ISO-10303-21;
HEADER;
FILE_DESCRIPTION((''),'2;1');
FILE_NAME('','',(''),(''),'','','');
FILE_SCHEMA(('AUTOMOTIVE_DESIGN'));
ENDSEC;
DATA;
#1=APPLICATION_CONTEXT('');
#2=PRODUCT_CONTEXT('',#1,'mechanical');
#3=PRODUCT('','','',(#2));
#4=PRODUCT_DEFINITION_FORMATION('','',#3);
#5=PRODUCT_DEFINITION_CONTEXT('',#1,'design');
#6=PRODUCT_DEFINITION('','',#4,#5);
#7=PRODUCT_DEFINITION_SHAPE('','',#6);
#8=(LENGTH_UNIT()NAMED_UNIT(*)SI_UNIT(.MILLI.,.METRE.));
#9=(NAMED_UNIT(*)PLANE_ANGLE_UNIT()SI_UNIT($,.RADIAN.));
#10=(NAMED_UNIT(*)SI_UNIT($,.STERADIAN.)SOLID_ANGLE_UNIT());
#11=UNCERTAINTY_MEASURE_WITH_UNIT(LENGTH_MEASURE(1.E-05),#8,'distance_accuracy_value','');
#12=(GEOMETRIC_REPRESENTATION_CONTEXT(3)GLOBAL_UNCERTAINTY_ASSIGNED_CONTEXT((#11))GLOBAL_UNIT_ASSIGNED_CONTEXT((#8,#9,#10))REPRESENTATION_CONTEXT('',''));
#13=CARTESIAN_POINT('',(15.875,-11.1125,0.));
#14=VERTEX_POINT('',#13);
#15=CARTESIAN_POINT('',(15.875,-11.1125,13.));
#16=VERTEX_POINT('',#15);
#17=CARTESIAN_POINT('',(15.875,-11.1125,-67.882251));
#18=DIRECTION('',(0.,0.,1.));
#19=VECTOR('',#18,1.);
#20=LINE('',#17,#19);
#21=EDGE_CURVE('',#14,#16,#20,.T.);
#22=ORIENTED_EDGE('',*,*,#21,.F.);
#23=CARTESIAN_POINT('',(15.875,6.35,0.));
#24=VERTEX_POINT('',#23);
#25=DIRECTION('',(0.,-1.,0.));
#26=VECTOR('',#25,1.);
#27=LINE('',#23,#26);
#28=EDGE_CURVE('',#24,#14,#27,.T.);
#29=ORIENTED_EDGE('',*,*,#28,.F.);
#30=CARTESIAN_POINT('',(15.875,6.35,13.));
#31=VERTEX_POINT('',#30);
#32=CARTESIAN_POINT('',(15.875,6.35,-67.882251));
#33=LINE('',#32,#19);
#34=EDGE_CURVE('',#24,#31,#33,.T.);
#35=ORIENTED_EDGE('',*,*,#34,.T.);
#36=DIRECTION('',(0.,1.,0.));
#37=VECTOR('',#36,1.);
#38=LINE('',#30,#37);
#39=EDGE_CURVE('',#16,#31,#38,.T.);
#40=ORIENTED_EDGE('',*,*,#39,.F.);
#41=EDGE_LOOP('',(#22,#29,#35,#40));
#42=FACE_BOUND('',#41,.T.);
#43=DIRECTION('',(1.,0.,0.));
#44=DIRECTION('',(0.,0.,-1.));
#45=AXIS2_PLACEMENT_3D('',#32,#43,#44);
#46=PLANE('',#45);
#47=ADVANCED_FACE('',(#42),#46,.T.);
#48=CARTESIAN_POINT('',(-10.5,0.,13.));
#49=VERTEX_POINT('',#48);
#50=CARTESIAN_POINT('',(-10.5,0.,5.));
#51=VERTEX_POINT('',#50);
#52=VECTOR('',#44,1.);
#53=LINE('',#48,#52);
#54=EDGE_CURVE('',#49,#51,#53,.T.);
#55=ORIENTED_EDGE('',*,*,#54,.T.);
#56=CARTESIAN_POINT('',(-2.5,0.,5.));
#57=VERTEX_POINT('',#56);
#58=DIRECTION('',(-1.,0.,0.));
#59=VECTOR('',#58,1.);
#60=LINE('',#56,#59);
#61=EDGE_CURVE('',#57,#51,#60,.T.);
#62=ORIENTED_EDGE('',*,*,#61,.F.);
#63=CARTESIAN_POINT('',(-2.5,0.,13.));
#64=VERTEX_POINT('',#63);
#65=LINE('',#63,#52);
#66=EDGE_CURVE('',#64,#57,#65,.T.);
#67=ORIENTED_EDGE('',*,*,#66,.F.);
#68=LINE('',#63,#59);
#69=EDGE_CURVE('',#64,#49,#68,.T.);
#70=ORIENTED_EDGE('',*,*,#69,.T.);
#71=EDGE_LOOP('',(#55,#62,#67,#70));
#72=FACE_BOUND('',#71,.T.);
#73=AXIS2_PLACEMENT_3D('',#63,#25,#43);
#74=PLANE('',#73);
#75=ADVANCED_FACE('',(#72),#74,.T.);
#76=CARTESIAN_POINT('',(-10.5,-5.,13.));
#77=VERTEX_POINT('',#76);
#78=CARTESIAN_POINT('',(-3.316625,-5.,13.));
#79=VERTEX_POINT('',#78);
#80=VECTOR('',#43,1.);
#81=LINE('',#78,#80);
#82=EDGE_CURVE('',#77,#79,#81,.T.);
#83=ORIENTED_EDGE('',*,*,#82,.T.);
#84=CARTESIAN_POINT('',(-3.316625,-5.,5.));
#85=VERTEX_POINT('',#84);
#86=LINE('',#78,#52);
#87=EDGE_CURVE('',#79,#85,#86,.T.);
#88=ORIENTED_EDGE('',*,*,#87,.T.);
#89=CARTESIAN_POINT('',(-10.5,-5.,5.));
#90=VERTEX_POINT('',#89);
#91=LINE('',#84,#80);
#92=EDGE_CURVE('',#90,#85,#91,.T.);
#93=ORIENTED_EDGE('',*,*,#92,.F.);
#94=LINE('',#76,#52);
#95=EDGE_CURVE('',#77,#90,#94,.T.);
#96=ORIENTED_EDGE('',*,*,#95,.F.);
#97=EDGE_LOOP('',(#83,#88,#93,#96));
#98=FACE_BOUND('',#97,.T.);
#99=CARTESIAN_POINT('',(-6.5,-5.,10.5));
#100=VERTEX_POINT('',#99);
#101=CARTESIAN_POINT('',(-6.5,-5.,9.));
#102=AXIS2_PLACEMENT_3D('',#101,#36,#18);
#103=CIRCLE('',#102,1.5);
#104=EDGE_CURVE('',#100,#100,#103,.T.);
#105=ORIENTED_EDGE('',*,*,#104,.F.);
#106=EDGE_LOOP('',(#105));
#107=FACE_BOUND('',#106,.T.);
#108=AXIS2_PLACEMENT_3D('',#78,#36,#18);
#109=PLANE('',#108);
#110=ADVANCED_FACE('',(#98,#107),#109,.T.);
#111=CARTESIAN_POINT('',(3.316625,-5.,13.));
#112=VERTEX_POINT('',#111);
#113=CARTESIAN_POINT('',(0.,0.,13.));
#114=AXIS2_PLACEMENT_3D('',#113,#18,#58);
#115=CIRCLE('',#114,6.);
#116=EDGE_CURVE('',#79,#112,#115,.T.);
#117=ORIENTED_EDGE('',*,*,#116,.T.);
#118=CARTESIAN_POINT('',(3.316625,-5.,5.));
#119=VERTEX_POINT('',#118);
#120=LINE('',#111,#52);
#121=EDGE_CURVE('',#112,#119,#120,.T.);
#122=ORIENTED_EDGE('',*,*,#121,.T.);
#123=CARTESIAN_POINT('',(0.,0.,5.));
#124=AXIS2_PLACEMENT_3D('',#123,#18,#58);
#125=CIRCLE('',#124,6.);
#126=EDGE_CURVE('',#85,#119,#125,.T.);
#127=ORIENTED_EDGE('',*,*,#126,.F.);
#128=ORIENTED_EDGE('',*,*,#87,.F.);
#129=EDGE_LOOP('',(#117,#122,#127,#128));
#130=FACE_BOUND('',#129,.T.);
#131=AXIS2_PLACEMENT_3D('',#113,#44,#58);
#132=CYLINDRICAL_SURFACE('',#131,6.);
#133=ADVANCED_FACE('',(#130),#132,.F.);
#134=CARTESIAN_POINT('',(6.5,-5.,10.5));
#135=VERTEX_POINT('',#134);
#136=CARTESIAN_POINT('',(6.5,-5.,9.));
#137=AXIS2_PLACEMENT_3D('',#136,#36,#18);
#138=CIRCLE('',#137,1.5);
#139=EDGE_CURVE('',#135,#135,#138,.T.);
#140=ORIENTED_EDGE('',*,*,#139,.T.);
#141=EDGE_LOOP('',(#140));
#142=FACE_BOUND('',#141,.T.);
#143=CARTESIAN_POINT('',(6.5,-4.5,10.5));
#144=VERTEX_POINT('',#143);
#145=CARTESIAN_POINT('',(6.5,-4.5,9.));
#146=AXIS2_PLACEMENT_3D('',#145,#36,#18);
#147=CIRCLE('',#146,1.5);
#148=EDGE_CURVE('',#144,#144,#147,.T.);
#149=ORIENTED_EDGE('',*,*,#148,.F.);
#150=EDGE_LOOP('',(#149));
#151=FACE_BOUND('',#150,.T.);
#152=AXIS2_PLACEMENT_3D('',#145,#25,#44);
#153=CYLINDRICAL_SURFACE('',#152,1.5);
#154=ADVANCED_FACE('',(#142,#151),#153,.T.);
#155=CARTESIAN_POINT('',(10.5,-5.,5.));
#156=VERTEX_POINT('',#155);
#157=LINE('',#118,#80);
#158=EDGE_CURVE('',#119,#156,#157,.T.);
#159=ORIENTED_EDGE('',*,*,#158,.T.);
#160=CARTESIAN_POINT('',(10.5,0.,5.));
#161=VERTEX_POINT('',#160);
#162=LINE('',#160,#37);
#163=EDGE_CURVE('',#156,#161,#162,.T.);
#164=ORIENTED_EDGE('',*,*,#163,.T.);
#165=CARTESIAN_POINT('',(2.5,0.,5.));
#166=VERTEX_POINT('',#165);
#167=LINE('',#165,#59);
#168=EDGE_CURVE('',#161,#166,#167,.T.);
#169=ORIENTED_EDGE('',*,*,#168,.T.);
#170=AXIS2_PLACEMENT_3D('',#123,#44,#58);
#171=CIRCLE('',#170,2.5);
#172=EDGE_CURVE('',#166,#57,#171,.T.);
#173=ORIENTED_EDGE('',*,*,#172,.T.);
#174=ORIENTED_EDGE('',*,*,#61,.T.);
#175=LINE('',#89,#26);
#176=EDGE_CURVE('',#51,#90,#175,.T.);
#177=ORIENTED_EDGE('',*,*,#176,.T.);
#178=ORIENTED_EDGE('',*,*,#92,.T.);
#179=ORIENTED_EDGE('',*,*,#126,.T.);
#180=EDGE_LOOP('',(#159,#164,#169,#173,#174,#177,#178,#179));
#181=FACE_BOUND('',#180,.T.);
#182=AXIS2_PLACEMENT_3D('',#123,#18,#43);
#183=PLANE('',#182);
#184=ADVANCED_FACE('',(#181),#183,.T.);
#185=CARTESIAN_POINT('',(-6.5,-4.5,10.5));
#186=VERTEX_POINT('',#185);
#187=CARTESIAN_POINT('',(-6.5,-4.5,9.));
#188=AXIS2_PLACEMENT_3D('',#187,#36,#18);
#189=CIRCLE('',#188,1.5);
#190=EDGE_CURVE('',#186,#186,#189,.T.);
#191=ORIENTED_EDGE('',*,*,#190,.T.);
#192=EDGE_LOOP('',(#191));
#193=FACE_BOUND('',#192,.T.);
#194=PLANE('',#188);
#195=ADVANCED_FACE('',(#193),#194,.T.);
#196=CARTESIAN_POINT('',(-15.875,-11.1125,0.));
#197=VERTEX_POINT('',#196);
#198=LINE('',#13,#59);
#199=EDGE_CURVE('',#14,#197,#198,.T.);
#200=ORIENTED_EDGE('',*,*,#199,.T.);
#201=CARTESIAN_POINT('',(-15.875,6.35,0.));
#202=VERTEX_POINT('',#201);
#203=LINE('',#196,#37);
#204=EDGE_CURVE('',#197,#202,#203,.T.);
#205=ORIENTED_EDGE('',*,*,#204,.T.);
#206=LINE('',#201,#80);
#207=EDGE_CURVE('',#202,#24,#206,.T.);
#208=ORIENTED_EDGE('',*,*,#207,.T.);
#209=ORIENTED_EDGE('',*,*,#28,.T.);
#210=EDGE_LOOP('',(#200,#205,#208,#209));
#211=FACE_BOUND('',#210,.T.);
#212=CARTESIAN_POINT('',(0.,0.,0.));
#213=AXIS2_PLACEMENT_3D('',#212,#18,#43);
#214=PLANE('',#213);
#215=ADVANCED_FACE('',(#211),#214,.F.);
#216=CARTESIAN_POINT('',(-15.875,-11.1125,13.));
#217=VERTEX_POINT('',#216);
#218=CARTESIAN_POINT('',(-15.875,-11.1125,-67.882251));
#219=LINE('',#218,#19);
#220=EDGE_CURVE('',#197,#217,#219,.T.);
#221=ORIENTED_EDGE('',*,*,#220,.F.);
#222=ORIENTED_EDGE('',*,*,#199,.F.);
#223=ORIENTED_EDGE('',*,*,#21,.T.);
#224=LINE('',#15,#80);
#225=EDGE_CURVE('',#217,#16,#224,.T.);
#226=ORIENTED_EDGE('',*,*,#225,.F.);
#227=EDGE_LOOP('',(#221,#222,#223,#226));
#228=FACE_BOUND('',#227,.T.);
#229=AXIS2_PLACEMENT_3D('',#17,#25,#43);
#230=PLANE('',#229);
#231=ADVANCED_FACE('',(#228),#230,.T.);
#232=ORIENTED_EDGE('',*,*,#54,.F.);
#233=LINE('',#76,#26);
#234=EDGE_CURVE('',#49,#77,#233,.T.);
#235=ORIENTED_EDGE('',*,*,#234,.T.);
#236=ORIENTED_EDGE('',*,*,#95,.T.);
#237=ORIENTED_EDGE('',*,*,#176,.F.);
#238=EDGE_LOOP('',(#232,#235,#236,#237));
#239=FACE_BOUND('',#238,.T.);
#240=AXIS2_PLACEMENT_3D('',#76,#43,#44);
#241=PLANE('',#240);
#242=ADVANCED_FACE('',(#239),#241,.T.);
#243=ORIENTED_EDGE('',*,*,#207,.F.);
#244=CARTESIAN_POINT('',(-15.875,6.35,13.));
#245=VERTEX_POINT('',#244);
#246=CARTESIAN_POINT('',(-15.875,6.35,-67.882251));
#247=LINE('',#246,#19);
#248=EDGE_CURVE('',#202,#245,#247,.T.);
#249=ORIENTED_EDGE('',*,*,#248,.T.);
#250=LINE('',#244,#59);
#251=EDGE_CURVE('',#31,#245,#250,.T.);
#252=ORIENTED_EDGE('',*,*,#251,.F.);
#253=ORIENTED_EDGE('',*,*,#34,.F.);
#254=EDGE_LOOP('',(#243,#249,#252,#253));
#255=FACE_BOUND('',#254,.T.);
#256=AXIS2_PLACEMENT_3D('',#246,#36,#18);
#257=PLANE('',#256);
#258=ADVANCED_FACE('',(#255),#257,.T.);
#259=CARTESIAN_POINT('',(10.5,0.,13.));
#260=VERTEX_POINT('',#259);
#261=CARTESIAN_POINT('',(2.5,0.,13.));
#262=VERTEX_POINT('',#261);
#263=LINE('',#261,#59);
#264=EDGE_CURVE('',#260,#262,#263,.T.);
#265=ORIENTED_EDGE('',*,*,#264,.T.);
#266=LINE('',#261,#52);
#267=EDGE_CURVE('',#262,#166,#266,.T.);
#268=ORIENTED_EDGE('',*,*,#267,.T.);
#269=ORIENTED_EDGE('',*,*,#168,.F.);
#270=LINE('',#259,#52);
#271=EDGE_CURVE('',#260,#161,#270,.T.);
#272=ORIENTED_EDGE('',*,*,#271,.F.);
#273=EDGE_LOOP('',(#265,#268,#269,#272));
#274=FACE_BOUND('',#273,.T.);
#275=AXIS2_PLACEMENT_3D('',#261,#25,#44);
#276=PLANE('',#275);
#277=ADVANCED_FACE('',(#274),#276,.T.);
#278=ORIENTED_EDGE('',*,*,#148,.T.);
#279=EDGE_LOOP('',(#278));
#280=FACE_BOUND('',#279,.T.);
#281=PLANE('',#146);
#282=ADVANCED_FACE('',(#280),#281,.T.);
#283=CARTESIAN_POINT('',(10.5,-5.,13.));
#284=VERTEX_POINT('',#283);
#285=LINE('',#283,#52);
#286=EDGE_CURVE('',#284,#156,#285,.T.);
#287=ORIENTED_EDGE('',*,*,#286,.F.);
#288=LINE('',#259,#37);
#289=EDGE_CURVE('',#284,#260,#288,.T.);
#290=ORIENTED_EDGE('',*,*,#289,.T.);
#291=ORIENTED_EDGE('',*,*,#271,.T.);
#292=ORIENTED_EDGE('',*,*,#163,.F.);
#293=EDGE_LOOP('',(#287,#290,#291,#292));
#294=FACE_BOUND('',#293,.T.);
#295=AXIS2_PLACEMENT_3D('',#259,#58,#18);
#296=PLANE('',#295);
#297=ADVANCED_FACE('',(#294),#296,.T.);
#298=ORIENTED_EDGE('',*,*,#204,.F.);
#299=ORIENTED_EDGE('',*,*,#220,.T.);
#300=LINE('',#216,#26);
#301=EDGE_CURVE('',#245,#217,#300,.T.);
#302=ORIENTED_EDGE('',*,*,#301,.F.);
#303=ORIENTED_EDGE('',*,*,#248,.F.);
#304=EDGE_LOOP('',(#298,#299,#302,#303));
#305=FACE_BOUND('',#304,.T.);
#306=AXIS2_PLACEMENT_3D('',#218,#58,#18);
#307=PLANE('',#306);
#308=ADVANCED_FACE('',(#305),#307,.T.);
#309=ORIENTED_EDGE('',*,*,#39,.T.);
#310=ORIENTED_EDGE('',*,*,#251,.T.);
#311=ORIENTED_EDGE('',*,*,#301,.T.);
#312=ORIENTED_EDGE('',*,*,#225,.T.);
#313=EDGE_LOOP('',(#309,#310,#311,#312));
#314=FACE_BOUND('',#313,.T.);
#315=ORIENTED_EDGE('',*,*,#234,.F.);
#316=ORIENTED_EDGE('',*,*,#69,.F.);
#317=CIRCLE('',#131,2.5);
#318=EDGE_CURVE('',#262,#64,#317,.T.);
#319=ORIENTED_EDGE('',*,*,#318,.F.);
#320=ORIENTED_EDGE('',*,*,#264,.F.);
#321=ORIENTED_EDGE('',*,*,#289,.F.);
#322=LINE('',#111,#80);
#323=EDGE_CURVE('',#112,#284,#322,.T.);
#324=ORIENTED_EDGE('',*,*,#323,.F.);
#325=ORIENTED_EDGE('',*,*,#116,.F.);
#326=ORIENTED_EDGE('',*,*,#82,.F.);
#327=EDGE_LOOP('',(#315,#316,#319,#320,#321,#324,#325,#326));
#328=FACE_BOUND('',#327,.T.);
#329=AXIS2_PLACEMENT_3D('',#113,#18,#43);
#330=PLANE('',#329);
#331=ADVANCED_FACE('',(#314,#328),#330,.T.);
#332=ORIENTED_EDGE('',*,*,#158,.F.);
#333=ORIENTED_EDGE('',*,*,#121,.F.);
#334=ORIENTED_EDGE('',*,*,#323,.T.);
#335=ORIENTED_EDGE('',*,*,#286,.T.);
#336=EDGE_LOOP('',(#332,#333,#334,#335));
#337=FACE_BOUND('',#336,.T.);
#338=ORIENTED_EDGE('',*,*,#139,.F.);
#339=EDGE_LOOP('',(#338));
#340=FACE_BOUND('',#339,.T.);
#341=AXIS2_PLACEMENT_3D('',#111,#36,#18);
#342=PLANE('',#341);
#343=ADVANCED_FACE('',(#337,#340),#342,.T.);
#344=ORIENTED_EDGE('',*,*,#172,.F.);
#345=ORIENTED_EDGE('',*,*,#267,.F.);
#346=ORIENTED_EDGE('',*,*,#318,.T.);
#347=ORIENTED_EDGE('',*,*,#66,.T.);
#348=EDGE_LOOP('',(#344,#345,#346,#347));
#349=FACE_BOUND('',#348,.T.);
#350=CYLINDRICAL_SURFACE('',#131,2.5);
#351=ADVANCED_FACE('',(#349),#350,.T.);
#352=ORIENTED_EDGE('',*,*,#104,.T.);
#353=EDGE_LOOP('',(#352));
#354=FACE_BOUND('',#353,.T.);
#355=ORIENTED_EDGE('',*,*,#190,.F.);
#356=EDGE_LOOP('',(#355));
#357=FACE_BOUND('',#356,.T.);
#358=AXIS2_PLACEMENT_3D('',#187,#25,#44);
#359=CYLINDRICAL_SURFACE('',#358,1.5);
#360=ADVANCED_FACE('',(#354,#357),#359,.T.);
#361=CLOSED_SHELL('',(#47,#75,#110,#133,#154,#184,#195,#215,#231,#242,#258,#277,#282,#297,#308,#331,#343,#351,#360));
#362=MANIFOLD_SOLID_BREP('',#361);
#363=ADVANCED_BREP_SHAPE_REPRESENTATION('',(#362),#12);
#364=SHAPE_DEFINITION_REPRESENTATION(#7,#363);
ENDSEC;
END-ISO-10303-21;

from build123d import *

# Parameters (mm, degrees)
SKETCH1_R      = 24
EXTRUDE1_DEPTH = 5
SKETCH2_R      = 24
EXTRUDE2_DEPTH = 8
SKETCH9_R      = 24
SKETCH9_W      = 31.75
SKETCH9_H      = 17.4625
EXTRUDE4_DEPTH = 13
SKETCH11_R     = 1.5
EXTRUDE6_DEPTH = 0.5


with BuildPart() as part:
    # Sketch1 → Extrude1 (new body)
    with BuildSketch(Plane.XY):
        Circle(SKETCH1_R)
    extrude(amount=EXTRUDE1_DEPTH)

    # Sketch2 → Extrude2 (add)
    with BuildSketch(Plane.XY.offset(5)):
        Circle(SKETCH2_R)
        with BuildLine():
            Line((-2.5, 0), (-10.5, 0))
            Line((-10.5, 0), (-10.5, -5))
            Line((-10.5, -5), (-3.31662479, -5))
            ThreePointArc((-3.31662479, -5), (0, -6), (3.31662479, -5))
            Line((3.31662479, -5), (10.5, -5))
            Line((10.5, -5), (10.5, 0))
            Line((10.5, 0), (2.5, 0))
            ThreePointArc((2.5, 0), (0, -2.5), (-2.5, 0))
        make_face(mode=Mode.SUBTRACT)
    extrude(amount=EXTRUDE2_DEPTH)

    # Sketch9 → Extrude4 (cut)
    with BuildSketch(Plane.XY.offset(13)):
        Circle(SKETCH9_R)
        with Locations((0, -2.38125)):
            Rectangle(SKETCH9_W, SKETCH9_H, mode=Mode.SUBTRACT)
    extrude(amount=-EXTRUDE4_DEPTH, mode=Mode.SUBTRACT)

    # Sketch11 → Extrude6 (add)
    with BuildSketch(Plane(origin=(0, -5, 0), x_dir=(1, 0, 0), z_dir=(0, 1, 0))):
        with Locations((-6.5, -9)):
            Circle(SKETCH11_R)
        with Locations((6.5, -9)):
            Circle(SKETCH11_R)
    extrude(amount=EXTRUDE6_DEPTH)


solid = part.part
